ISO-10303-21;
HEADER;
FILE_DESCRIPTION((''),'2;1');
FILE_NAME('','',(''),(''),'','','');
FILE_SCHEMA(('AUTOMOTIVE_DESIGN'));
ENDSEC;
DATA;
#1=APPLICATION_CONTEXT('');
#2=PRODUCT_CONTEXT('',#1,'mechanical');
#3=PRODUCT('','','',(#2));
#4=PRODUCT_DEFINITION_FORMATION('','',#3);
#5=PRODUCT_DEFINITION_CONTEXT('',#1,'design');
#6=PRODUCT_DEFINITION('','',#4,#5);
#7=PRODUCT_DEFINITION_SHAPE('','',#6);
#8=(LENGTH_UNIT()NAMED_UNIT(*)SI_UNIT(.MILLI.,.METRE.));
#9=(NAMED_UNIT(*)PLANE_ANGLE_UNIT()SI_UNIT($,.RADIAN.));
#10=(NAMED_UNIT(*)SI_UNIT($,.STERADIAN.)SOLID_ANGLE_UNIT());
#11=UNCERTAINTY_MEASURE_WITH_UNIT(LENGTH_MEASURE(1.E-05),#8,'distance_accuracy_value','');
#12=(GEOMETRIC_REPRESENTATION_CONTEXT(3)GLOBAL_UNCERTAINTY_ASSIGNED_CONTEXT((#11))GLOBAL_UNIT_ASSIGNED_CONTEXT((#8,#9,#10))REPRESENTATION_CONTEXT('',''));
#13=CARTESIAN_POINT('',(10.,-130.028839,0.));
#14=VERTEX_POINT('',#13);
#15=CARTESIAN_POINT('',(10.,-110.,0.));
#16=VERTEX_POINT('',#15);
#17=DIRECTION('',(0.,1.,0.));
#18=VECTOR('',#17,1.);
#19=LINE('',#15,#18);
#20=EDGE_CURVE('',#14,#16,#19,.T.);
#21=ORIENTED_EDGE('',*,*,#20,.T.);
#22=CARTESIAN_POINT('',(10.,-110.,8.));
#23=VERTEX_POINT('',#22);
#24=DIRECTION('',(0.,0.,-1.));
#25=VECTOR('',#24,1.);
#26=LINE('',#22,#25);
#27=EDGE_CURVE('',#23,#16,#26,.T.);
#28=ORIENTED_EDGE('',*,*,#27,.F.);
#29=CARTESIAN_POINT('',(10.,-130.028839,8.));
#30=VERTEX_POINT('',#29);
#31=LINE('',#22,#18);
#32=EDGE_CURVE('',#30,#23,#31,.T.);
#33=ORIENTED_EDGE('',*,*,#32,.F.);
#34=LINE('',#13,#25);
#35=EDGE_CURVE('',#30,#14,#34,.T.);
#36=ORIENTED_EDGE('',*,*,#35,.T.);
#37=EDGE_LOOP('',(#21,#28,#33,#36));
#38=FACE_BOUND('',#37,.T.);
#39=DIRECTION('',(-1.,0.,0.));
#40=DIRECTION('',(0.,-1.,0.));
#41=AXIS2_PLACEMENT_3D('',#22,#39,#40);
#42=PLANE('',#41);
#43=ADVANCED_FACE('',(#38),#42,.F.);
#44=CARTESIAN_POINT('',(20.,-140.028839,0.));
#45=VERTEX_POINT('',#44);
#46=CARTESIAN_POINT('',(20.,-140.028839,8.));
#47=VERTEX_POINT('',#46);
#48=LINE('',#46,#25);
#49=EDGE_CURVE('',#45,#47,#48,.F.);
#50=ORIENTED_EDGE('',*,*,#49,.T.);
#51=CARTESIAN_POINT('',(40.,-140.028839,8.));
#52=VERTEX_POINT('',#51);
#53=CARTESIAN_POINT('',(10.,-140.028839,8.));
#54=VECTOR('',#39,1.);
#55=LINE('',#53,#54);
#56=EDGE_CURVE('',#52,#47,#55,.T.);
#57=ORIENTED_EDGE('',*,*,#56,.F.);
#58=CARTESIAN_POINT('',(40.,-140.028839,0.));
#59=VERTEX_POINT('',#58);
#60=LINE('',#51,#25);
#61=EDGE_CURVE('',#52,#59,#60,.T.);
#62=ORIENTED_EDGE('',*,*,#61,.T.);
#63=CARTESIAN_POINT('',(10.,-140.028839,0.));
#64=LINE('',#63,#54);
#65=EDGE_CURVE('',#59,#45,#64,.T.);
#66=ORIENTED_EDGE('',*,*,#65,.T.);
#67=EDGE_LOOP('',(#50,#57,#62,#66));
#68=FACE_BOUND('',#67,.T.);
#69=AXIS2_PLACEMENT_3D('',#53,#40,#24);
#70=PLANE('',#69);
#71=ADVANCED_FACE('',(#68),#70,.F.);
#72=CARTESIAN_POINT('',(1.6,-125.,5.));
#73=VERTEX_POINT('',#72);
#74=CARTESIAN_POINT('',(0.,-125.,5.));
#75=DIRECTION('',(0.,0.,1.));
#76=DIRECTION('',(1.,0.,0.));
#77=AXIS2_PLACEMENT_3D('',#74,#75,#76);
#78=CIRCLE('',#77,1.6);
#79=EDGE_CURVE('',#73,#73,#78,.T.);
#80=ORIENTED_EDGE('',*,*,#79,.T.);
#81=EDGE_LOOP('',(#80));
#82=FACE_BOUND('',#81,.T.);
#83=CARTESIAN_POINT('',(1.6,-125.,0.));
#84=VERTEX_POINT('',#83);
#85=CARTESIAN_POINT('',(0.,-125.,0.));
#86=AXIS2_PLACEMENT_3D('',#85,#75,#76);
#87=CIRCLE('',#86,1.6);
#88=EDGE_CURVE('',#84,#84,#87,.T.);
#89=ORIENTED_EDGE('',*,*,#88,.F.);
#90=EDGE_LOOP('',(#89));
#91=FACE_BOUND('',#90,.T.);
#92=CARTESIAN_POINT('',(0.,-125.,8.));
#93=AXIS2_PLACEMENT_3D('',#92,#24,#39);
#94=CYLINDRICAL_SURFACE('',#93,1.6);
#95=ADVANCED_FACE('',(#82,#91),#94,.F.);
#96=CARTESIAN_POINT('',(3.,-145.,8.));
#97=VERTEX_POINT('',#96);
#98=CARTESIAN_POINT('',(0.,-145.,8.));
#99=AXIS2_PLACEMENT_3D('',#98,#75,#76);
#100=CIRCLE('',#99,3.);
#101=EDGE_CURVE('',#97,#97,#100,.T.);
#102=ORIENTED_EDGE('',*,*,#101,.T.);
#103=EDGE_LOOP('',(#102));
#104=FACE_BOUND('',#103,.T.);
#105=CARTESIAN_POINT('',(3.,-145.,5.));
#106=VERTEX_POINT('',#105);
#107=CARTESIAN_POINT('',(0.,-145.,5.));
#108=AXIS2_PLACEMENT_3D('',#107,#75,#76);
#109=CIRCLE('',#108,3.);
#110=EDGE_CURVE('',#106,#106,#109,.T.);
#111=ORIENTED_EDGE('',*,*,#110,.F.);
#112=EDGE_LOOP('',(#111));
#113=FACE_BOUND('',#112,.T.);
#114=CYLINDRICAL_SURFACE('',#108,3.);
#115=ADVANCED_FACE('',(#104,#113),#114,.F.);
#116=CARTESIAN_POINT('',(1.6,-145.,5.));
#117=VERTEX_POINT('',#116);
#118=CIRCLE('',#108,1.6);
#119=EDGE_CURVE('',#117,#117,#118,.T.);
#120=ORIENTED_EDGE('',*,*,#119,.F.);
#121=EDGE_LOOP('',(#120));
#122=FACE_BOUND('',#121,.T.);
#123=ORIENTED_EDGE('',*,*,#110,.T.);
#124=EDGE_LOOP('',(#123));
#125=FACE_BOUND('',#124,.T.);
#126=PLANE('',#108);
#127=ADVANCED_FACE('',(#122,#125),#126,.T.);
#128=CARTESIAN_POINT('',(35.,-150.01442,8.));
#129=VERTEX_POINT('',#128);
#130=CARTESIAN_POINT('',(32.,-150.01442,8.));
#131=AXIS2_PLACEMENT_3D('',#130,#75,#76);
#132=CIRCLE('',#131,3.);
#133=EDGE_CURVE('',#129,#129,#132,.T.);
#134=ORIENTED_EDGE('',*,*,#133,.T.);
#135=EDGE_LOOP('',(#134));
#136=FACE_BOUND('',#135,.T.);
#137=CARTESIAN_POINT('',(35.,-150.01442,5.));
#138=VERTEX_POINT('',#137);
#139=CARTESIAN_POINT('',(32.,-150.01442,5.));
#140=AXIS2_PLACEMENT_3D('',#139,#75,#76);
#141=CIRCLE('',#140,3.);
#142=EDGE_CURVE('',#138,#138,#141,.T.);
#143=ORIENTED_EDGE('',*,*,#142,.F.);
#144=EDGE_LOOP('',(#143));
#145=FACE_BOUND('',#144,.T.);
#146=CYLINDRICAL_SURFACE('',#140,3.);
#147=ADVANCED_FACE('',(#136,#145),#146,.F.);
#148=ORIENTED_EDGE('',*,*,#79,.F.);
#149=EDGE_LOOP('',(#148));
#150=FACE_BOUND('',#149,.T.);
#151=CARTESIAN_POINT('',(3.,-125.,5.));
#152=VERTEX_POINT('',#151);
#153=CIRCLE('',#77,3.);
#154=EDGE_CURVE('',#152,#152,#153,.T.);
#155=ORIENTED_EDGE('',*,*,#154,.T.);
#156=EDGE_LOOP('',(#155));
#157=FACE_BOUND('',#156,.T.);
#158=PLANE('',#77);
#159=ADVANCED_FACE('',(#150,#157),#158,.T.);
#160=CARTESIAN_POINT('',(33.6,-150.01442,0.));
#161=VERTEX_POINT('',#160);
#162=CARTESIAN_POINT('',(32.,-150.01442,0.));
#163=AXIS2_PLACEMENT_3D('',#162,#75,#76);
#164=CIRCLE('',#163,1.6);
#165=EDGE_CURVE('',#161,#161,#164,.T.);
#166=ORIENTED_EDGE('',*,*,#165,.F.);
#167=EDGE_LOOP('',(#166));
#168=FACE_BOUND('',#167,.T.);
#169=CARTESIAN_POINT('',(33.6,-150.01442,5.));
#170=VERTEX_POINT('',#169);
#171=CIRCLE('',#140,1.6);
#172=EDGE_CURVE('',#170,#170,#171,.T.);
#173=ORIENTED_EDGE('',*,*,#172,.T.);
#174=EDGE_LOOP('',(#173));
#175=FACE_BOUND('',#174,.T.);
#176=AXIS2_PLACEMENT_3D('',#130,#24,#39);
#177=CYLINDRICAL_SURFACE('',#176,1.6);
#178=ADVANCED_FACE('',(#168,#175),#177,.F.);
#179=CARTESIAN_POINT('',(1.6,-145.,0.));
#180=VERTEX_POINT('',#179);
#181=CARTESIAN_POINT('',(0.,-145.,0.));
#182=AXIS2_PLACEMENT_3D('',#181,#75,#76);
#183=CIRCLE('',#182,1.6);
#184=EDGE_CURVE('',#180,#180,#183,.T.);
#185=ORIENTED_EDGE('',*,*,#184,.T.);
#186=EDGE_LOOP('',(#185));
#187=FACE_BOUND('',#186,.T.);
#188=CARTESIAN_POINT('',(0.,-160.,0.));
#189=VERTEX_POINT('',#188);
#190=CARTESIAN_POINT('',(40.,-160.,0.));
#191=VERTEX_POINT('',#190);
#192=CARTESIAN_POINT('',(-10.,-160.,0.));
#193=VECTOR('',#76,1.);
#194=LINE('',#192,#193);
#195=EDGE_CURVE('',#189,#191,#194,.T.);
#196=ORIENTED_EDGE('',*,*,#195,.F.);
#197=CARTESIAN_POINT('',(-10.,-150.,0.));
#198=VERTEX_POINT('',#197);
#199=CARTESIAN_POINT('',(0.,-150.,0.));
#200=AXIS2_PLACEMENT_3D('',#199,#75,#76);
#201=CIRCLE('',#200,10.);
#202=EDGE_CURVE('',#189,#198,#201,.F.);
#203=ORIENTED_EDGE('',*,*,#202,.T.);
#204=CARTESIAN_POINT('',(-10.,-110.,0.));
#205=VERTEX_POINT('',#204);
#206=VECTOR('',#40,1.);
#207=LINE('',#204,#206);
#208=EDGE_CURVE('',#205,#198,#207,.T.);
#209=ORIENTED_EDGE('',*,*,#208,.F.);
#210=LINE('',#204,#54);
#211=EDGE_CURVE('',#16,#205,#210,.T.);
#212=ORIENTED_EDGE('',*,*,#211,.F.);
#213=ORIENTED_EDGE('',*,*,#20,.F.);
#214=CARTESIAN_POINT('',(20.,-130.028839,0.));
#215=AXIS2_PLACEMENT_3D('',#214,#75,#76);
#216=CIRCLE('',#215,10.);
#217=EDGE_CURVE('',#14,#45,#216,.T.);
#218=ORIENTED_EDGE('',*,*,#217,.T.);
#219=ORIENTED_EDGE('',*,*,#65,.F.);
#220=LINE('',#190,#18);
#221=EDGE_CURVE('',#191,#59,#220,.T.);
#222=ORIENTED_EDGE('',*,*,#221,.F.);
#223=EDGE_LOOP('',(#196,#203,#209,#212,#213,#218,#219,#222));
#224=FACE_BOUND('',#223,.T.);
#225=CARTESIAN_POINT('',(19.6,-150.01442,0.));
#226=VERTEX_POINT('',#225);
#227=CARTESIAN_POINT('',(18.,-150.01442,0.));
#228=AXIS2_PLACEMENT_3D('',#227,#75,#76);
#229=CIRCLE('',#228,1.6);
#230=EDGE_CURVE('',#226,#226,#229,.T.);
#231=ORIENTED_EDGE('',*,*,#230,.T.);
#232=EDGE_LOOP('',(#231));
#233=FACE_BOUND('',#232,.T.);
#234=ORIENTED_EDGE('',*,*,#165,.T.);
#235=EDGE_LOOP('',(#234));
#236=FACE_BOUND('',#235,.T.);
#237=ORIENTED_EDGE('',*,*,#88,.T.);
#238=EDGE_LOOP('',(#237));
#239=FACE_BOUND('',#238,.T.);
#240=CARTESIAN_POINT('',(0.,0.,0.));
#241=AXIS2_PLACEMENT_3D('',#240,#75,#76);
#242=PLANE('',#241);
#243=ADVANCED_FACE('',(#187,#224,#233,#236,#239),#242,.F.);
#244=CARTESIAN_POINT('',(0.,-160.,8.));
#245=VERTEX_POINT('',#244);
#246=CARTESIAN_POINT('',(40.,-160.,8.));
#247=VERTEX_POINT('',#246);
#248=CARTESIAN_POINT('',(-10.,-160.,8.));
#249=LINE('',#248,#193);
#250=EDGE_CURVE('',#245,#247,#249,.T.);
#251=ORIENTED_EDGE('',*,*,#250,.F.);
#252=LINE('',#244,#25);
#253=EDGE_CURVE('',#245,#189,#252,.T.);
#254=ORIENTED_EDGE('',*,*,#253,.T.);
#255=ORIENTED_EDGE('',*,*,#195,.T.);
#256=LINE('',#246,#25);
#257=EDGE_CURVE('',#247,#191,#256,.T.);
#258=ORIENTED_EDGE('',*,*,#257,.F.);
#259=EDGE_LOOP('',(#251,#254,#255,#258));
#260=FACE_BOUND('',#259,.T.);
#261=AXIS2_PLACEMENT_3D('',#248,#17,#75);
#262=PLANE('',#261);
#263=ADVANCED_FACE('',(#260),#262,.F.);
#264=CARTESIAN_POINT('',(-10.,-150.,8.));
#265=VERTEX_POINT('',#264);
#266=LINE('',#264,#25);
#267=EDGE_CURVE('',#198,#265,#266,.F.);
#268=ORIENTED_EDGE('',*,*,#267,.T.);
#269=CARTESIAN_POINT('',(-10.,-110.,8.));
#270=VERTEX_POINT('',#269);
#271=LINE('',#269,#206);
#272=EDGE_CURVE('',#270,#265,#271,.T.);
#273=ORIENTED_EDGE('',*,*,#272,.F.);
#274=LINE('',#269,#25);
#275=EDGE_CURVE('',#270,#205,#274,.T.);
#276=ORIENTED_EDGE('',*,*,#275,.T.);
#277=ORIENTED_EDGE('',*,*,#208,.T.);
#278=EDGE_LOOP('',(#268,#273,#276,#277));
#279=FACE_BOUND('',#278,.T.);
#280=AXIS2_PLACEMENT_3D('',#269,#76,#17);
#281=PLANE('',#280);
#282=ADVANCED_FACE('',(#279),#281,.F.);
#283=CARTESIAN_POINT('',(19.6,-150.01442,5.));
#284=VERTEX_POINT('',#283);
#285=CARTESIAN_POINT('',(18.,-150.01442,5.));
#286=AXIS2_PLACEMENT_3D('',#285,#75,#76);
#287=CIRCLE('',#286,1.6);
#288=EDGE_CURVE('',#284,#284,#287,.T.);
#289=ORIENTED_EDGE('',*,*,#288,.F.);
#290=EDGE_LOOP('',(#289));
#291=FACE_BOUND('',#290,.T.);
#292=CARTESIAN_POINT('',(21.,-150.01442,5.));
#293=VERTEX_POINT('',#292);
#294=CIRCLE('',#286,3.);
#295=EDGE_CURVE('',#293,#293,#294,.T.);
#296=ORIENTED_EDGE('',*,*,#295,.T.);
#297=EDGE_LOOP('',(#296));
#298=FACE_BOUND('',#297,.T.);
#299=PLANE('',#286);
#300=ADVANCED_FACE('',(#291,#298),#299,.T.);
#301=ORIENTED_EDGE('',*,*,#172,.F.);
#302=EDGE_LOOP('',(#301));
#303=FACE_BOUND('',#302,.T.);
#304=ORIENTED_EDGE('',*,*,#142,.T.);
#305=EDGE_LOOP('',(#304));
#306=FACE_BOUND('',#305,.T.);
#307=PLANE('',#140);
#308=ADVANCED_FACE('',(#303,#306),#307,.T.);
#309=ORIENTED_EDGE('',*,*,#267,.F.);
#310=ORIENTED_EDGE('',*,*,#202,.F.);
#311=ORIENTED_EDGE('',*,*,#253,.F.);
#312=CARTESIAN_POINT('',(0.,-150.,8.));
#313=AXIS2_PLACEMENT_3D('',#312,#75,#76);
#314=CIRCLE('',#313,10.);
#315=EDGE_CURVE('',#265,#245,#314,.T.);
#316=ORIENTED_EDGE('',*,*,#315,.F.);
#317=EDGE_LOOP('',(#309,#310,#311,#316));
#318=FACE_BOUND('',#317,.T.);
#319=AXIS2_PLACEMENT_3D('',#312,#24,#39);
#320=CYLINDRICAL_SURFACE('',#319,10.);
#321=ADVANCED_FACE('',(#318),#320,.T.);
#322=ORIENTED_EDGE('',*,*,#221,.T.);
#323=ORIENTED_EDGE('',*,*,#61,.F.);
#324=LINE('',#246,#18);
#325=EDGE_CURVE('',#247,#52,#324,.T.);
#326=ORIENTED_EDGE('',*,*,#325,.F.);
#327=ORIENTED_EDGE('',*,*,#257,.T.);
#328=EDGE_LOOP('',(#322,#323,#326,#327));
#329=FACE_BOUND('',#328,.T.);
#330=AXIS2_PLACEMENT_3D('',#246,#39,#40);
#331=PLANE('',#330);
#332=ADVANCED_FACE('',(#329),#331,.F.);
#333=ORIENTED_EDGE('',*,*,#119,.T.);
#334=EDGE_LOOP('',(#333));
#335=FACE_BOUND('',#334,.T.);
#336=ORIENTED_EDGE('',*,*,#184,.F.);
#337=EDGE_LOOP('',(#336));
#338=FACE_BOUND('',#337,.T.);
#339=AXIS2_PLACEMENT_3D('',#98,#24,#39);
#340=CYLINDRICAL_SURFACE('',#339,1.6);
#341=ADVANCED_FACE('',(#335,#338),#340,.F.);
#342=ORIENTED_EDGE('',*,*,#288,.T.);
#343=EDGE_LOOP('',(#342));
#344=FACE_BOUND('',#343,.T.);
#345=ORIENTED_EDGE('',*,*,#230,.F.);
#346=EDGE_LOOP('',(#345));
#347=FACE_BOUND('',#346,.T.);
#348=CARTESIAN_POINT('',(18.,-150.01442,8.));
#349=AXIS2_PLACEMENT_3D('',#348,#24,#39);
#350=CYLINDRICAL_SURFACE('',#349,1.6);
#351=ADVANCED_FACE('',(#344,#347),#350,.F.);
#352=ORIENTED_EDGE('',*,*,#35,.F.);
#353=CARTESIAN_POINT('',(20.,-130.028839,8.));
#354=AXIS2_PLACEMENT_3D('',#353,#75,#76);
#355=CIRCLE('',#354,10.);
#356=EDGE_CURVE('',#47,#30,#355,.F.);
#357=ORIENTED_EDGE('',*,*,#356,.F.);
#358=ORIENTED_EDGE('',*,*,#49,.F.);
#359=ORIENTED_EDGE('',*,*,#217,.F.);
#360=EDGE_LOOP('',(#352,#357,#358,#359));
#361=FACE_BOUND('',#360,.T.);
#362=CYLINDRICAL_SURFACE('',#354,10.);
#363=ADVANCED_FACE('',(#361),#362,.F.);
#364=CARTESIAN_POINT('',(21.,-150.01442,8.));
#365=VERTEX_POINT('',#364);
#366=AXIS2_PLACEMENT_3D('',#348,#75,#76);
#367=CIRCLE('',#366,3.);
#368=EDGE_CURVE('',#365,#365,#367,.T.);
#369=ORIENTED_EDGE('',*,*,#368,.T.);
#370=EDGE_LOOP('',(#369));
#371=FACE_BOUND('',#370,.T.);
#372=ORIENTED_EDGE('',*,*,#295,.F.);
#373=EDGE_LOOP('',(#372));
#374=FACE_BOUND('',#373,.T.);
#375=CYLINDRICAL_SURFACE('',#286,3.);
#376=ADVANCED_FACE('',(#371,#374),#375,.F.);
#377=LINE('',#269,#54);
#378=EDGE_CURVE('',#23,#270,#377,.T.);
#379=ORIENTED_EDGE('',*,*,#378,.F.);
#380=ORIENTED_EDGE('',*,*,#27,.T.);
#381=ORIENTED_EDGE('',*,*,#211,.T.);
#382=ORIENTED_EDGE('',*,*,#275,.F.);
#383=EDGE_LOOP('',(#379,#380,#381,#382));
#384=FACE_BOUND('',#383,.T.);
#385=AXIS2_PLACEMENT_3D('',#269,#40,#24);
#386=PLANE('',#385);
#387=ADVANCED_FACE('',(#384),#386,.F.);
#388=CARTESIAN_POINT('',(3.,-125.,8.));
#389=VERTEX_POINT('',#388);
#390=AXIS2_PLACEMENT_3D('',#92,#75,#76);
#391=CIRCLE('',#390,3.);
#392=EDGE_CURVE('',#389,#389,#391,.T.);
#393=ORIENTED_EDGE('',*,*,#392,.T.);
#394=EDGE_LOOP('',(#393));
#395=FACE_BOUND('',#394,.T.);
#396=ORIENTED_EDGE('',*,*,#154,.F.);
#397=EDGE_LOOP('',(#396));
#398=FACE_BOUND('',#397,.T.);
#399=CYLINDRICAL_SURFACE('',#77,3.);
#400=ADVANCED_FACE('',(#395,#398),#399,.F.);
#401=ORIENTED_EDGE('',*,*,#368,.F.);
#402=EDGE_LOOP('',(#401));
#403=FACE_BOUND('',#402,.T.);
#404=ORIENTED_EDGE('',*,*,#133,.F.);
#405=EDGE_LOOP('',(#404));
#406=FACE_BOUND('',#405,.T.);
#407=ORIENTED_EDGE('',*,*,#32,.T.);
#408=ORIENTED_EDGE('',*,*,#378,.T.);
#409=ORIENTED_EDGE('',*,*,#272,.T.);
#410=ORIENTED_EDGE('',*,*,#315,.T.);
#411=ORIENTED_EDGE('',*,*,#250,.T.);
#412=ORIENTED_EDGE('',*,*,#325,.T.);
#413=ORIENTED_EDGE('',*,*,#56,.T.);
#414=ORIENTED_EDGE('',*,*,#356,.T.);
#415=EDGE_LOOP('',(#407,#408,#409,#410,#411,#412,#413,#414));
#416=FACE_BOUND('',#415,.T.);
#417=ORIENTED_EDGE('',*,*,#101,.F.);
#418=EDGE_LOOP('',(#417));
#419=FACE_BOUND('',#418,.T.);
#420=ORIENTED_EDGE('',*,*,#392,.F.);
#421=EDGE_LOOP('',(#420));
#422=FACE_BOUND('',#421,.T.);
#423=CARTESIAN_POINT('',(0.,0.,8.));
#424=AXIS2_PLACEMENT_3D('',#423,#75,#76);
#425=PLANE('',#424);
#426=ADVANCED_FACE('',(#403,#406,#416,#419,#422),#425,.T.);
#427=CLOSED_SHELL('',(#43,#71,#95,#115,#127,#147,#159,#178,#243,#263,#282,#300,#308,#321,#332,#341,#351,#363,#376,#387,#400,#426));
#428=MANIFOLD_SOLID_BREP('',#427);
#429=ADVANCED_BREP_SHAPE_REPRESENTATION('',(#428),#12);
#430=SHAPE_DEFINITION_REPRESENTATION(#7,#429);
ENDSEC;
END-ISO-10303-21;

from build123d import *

# Parameters (mm, degrees)
SKETCH_1_R          = 1.6
EXTRUDE_1_DEPTH     = 8
SKETCH_2_R          = 3
CUT_EXTRUDE_1_DEPTH = 3
FILLET_1_R          = 10


with BuildPart() as part:
    # 草图1 → 凸台-拉伸1 (new body)
    with BuildSketch(Plane.XY):
        Polygon((-10, -110), (10, -110), (10, -140.028839027), (40, -140.028839027), (40, -160), (-10, -160), align=None)
        with Locations((0, -125)):
            Circle(SKETCH_1_R, mode=Mode.SUBTRACT)
        with Locations((0, -145)):
            Circle(SKETCH_1_R, mode=Mode.SUBTRACT)
        with Locations((18, -150.014419513)):
            Circle(SKETCH_1_R, mode=Mode.SUBTRACT)
        with Locations((32, -150.014419513)):
            Circle(SKETCH_1_R, mode=Mode.SUBTRACT)
    extrude(amount=EXTRUDE_1_DEPTH)

    # 草图2 → 切除-拉伸1 (cut)
    with BuildSketch(Plane.XY.offset(8)):
        with Locations((32, -150.014419513)):
            Circle(SKETCH_2_R)
        with Locations((18, -150.014419513)):
            Circle(SKETCH_2_R)
        with Locations((0, -145)):
            Circle(SKETCH_2_R)
        with Locations((0, -125)):
            Circle(SKETCH_2_R)
    extrude(amount=-CUT_EXTRUDE_1_DEPTH, mode=Mode.SUBTRACT)

    # 圆角1
    fillet_1_edges = [part.edges().sort_by_distance(p)[0] for p in [
        (10, -140.028839027, 4),
        (-10, -160, 4),
    ]]
    fillet(fillet_1_edges, radius=FILLET_1_R)


solid = part.part
